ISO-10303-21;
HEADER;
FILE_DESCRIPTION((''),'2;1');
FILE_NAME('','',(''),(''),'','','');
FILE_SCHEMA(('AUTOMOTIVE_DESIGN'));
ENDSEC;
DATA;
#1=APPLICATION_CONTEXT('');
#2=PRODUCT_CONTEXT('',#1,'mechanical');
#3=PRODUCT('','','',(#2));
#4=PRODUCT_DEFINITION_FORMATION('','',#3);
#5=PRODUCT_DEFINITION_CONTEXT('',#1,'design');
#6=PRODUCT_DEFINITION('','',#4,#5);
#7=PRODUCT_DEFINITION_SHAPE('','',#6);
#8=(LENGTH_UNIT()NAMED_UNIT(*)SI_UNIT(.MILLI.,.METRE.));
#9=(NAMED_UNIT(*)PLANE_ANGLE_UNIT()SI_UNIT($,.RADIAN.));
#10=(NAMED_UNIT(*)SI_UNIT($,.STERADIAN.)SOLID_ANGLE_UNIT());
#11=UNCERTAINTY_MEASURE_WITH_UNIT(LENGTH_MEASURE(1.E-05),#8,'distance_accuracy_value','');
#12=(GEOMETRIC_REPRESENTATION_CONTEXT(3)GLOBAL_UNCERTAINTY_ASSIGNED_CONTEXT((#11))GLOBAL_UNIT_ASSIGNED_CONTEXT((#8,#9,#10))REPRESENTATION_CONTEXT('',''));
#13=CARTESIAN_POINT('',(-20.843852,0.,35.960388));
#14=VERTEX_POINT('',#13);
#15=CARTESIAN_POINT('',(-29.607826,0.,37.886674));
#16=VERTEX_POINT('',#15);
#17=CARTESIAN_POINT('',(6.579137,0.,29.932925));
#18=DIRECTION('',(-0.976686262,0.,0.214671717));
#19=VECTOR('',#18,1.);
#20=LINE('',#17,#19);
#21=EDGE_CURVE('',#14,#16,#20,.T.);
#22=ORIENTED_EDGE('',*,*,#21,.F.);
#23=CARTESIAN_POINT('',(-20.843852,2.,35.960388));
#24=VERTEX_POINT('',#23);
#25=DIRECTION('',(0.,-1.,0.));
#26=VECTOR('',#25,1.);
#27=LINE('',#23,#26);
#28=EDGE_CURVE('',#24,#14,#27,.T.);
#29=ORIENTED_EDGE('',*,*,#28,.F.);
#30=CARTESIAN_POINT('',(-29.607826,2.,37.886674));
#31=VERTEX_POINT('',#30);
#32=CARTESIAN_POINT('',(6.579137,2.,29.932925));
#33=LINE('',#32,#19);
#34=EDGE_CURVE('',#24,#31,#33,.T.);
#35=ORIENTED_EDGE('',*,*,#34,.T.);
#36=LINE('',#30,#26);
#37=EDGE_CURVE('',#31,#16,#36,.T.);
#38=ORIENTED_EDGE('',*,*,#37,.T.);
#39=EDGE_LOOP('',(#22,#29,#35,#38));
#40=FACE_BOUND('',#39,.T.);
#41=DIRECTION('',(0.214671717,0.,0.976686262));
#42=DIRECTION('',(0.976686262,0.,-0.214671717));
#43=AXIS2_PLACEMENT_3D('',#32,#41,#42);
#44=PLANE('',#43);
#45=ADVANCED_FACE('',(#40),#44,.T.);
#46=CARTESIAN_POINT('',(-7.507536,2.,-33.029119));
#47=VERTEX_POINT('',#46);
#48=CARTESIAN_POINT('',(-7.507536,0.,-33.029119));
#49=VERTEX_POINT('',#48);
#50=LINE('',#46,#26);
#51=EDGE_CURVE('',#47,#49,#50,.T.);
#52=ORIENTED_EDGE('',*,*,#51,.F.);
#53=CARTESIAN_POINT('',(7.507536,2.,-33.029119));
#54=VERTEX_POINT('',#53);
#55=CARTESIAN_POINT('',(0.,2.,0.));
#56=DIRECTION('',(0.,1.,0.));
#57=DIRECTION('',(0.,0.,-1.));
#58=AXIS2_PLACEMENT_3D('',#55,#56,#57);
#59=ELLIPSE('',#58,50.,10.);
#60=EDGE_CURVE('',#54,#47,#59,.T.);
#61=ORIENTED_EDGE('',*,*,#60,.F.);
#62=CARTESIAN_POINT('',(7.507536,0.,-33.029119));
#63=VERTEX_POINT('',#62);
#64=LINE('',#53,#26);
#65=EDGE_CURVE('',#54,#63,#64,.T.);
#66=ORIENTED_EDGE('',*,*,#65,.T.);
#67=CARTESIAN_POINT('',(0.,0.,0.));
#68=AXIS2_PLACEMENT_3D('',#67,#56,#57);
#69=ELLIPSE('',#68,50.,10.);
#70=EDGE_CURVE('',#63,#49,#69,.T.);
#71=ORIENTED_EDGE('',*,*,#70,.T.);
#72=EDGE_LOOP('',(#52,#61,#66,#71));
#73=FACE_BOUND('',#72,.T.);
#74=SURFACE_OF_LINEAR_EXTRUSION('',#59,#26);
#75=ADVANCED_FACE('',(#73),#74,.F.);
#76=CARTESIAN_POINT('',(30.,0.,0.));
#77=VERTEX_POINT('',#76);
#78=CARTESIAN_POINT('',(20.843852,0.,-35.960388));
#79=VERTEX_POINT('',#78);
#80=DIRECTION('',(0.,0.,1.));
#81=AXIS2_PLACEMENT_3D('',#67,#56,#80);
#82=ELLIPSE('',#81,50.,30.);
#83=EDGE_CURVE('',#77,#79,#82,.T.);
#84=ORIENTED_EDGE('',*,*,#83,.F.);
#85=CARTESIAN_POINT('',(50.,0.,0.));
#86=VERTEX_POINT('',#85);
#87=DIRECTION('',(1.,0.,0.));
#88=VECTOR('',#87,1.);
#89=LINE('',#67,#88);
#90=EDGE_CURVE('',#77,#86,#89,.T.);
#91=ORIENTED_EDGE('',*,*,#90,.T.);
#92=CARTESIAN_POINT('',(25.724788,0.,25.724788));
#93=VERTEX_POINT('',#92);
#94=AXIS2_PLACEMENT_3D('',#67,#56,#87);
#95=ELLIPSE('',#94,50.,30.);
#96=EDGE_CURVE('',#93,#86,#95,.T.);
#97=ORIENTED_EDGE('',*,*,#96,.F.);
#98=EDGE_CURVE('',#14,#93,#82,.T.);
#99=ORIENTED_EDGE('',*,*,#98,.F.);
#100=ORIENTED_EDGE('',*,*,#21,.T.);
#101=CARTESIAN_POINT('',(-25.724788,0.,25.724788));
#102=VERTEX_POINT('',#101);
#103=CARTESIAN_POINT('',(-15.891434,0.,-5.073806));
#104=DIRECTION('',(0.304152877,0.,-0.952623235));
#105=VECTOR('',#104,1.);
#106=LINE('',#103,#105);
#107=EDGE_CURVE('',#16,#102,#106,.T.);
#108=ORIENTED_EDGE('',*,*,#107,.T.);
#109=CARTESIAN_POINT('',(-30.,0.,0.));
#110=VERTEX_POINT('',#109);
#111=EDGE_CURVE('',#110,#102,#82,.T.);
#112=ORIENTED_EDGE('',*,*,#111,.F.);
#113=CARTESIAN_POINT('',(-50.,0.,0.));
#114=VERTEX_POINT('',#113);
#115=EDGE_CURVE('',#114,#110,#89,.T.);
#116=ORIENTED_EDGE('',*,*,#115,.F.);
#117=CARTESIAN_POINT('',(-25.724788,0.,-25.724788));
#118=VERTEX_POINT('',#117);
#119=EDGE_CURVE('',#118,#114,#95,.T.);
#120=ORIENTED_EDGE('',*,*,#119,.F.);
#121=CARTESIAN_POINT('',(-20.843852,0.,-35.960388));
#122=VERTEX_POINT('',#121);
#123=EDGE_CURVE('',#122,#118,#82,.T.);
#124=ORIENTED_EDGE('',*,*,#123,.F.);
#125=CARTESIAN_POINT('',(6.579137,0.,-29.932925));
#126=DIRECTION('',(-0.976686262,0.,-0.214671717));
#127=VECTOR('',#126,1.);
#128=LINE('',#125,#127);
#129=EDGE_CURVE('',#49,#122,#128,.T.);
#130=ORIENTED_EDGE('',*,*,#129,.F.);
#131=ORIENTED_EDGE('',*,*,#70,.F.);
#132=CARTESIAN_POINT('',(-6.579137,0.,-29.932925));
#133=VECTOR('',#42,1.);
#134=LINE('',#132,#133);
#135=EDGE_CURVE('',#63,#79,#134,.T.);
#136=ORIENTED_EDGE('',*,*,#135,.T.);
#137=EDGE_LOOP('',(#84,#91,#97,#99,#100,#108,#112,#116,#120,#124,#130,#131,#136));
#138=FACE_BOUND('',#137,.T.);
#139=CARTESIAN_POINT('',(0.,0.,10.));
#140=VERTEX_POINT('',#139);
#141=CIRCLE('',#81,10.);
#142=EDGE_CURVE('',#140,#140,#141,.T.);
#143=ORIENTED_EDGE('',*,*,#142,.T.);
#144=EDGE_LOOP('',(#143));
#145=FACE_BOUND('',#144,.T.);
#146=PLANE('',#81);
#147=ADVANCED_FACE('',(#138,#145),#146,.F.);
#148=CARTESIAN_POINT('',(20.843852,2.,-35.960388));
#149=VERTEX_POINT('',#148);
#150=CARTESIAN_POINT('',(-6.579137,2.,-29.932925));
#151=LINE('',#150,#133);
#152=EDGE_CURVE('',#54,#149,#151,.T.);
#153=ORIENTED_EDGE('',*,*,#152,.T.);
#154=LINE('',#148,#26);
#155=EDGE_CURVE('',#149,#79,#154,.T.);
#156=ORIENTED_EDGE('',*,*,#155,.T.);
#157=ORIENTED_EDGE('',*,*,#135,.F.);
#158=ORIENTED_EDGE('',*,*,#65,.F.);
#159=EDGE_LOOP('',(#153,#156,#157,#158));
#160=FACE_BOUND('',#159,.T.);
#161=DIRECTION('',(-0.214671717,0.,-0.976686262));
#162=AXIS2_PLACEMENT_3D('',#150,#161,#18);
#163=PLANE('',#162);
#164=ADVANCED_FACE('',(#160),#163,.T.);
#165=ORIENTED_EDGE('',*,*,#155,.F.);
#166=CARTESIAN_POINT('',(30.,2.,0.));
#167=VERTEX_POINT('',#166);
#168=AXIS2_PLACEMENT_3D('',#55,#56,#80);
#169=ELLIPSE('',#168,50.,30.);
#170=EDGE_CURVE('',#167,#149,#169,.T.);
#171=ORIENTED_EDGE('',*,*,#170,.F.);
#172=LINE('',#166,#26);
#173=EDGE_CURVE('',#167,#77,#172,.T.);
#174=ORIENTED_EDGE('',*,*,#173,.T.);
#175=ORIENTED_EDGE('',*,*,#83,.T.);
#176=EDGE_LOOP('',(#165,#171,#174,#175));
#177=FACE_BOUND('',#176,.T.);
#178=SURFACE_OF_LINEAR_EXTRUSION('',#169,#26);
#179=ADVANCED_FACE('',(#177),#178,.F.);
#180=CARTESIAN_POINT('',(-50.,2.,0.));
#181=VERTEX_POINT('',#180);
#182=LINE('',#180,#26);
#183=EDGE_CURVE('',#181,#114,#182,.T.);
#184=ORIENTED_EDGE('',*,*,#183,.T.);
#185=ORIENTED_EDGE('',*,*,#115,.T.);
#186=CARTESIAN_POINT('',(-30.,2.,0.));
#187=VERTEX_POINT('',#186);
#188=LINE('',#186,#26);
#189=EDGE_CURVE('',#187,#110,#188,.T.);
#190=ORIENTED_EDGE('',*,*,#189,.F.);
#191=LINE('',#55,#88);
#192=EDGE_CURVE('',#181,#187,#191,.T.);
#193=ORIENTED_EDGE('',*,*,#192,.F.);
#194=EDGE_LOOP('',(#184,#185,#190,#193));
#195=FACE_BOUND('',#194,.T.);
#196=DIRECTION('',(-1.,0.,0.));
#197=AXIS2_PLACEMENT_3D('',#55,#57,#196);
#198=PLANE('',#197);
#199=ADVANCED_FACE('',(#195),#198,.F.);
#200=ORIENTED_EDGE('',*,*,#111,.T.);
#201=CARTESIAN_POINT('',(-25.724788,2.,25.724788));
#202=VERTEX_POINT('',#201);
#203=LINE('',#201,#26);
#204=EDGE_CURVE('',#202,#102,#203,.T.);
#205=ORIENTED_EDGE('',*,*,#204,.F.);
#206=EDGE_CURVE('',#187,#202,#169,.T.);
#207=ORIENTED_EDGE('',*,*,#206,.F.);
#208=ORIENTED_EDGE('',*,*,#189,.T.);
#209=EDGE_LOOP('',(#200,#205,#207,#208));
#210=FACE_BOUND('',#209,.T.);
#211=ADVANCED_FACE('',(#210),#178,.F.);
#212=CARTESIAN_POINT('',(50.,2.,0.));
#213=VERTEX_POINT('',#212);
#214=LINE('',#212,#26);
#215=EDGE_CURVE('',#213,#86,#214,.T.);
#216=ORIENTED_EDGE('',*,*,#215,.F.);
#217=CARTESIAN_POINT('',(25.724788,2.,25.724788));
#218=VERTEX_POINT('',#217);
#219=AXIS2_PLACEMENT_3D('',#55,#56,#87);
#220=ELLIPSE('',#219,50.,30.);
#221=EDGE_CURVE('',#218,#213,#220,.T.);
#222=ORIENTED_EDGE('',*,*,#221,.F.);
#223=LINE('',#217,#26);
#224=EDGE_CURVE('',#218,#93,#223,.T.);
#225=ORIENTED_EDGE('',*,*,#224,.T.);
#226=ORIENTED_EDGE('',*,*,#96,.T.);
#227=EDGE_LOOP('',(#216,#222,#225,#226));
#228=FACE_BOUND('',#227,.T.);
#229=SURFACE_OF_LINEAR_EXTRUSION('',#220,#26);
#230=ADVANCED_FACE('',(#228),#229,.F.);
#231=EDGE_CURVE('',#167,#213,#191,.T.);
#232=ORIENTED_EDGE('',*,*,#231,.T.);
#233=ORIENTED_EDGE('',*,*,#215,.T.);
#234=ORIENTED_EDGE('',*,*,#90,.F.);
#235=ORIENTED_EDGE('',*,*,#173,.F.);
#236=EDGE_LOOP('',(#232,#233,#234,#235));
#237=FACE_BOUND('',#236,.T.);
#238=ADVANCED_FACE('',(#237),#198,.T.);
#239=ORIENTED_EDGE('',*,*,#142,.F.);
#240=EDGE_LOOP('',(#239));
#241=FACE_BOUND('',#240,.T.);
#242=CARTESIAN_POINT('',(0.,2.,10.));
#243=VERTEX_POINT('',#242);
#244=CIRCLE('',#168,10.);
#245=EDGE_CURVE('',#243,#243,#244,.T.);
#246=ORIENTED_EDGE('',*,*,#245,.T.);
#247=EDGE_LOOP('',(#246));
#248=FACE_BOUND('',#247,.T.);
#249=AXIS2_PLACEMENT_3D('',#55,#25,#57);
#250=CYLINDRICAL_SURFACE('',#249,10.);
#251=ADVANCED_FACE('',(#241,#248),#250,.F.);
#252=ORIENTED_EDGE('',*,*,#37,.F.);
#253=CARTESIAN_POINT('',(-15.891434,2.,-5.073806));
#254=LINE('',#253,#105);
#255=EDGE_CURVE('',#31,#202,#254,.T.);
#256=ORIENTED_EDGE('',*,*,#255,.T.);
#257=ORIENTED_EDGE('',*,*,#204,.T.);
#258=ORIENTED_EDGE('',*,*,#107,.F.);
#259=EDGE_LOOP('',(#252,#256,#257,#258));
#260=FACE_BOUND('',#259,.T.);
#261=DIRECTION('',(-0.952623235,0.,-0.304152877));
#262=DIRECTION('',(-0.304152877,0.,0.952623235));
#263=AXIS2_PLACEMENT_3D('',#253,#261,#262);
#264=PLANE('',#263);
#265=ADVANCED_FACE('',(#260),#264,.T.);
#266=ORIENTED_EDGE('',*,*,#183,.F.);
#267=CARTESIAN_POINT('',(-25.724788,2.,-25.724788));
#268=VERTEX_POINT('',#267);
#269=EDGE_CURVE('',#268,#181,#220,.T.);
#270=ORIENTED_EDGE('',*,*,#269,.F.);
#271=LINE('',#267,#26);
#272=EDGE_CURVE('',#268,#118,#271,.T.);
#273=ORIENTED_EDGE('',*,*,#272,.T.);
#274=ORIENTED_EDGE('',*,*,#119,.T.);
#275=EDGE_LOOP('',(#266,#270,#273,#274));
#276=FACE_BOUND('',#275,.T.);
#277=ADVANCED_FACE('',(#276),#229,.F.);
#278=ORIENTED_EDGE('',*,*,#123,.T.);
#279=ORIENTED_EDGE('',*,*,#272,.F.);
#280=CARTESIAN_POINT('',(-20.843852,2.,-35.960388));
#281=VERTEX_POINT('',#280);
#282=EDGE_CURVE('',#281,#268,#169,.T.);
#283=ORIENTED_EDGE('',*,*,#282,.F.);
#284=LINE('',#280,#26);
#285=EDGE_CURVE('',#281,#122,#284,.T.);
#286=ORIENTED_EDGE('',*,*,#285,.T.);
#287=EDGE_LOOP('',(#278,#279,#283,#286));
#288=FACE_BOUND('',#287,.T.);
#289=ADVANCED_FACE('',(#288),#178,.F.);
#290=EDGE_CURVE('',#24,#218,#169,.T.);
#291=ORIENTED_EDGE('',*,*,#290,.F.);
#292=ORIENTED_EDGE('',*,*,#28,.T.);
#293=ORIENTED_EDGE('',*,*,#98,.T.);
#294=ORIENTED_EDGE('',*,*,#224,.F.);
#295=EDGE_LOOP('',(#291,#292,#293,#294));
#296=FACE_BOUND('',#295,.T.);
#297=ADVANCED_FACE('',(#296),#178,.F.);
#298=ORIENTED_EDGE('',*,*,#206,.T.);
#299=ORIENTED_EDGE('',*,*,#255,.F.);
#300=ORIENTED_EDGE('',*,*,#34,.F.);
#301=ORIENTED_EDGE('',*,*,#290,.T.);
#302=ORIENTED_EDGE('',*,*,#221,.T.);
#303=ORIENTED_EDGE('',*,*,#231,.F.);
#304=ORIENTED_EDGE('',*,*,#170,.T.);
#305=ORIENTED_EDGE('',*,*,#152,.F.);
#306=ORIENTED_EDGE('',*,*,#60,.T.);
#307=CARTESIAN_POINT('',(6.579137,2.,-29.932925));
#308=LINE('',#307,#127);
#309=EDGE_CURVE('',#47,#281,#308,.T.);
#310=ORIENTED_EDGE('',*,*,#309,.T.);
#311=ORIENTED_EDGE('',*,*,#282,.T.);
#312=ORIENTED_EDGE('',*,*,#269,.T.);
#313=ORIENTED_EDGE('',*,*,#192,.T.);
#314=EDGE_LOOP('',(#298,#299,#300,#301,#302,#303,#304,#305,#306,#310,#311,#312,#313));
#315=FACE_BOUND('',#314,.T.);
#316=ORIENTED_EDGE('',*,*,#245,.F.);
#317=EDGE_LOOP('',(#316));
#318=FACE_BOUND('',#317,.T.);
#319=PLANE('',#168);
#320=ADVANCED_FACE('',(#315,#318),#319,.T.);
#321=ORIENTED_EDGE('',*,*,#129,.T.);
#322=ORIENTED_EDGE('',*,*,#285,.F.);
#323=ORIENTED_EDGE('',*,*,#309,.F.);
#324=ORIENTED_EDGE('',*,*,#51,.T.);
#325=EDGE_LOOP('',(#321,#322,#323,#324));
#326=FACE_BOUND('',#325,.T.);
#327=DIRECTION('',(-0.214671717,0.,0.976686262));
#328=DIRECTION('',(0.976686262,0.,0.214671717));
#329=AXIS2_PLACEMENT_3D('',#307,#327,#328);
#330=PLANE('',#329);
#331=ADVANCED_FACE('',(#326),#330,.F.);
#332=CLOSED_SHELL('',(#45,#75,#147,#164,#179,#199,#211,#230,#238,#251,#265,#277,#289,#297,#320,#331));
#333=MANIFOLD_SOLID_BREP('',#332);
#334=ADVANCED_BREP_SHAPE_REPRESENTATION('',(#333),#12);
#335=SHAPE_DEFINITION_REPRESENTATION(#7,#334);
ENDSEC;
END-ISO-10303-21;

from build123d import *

# Parameters (mm, degrees)
SZKIC1_R                    = 10
DODANIE_WYCI_GNI_CIE1_DEPTH = 2


with BuildPart() as part:
    # Szkic1 → Dodanie-wyciągnięcie1 (new body)
    with BuildSketch(Plane(origin=(0, 0, 0), x_dir=(1, 0, 0), z_dir=(0, 1, 0))):
        with BuildLine():
            add(Edge.make_bspline(
                [(20.843852414, -35.960387795), (23.68927397, -31.378992774), (25.724787771, -25.724787771)],
                knots=[0.768134938, 0.768134938, 0.768134938, 1.030376827, 1.030376827, 1.030376827], degree=2, weights=[1, 0.991415958, 1]))
            add(Edge.make_bspline(
                [(25.724787771, -25.724787771), (50, -16.985711369), (50, 0)],
                knots=[5.252808481, 5.252808481, 5.252808481, 6.283185307, 6.283185307, 6.283185307], degree=2, weights=[1, 0.870199907, 1]))
            Line((50, 0), (30, 0))
            add(Edge.make_bspline(
                [(30, 0), (30, 13.849198247), (25.724787771, 25.724787771)],
                knots=[1.570796327, 1.570796327, 1.570796327, 2.111215827, 2.111215827, 2.111215827], degree=2, weights=[1, 0.963714928, 1]))
            add(Edge.make_bspline(
                [(25.724787771, 25.724787771), (23.68927397, 31.378992774), (20.843852414, 35.960387795)],
                knots=[2.111215827, 2.111215827, 2.111215827, 2.373457716, 2.373457716, 2.373457716], degree=2, weights=[1, 0.991415958, 1]))
            Line((20.843852414, 35.960387795), (7.507535684, 33.029118956))
            add(Edge.make_bspline(
                [(7.507535684, 33.029118956), (5.218865934, 46.034514162), (1.811566447, 49.17271271)],
                knots=[5.433983203, 5.433983203, 5.433983203, 6.101022879, 6.101022879, 6.101022879], degree=2, weights=[1, 0.944895907, 1]))
            add(Edge.make_bspline(
                [(1.811566447, 49.17271271), (0.913339162, 50), (0, 50)],
                knots=[6.101022879, 6.101022879, 6.101022879, 6.283185307, 6.283185307, 6.283185307], degree=2, weights=[1, 0.995854973, 1]))
            add(Edge.make_bspline(
                [(0, 50), (-0.913339162, 50), (-1.811566447, 49.17271271)],
                knots=[0, 0, 0, 0.182162428, 0.182162428, 0.182162428], degree=2, weights=[1, 0.995854973, 1]))
            add(Edge.make_bspline(
                [(-1.811566447, 49.17271271), (-5.218865934, 46.034514162), (-7.507535684, 33.029118956)],
                knots=[0.182162428, 0.182162428, 0.182162428, 0.849202104, 0.849202104, 0.849202104], degree=2, weights=[1, 0.944895907, 1]))
            Line((-7.507535684, 33.029118956), (-20.843852414, 35.960387795))
            add(Edge.make_bspline(
                [(-20.843852414, 35.960387795), (-23.68927397, 31.378992774), (-25.724787771, 25.724787771)],
                knots=[3.909727591, 3.909727591, 3.909727591, 4.17196948, 4.17196948, 4.17196948], degree=2, weights=[1, 0.991415958, 1]))
            add(Edge.make_bspline(
                [(-25.724787771, 25.724787771), (-50, 16.985711369), (-50, 0)],
                knots=[2.111215827, 2.111215827, 2.111215827, 3.141592654, 3.141592654, 3.141592654], degree=2, weights=[1, 0.870199907, 1]))
            Line((-50, 0), (-30, 0))
            add(Edge.make_bspline(
                [(-30, 9.5e-08), (-30.000000016, -13.849198204), (-25.724787771, -25.724787771)],
                knots=[4.712388978, 4.712388978, 4.712388978, 5.252808481, 5.252808481, 5.252808481], degree=2, weights=[1, 0.963714928, 1]))
            Line((-25.724787771, -25.724787771), (-29.607826273, -37.88667404))
            Line((-29.607826273, -37.88667404), (-20.843852414, -35.960387795))
            add(Edge.make_bspline(
                [(-20.843852414, -35.960387795), (-12.774167321, -48.953336072), (-1.56928672, -49.931545896)],
                knots=[5.51505037, 5.51505037, 5.51505037, 6.230851865, 6.230851865, 6.230851865], degree=2, weights=[1, 0.936634273, 1]))
            add(Edge.make_bspline(
                [(-1.56928672, -49.931545896), (-0.785180849, -50), (0, -50)],
                knots=[6.230851865, 6.230851865, 6.230851865, 6.283185307, 6.283185307, 6.283185307], degree=2, weights=[1, 0.999657671, 1]))
            add(Edge.make_bspline(
                [(0, -50), (0.785180849, -50), (1.56928672, -49.931545896)],
                knots=[0, 0, 0, 0.052333442, 0.052333442, 0.052333442], degree=2, weights=[1, 0.999657671, 1]))
            add(Edge.make_bspline(
                [(1.56928672, -49.931545896), (12.774167321, -48.953336072), (20.843852414, -35.960387795)],
                knots=[0.052333442, 0.052333442, 0.052333442, 0.768134938, 0.768134938, 0.768134938], degree=2, weights=[1, 0.936634273, 1]))
        make_face()
        with Locations(Location((0, 0, 0), (0, 0, 270))):
            Circle(SZKIC1_R, mode=Mode.SUBTRACT)
    extrude(amount=DODANIE_WYCI_GNI_CIE1_DEPTH)


solid = part.part
